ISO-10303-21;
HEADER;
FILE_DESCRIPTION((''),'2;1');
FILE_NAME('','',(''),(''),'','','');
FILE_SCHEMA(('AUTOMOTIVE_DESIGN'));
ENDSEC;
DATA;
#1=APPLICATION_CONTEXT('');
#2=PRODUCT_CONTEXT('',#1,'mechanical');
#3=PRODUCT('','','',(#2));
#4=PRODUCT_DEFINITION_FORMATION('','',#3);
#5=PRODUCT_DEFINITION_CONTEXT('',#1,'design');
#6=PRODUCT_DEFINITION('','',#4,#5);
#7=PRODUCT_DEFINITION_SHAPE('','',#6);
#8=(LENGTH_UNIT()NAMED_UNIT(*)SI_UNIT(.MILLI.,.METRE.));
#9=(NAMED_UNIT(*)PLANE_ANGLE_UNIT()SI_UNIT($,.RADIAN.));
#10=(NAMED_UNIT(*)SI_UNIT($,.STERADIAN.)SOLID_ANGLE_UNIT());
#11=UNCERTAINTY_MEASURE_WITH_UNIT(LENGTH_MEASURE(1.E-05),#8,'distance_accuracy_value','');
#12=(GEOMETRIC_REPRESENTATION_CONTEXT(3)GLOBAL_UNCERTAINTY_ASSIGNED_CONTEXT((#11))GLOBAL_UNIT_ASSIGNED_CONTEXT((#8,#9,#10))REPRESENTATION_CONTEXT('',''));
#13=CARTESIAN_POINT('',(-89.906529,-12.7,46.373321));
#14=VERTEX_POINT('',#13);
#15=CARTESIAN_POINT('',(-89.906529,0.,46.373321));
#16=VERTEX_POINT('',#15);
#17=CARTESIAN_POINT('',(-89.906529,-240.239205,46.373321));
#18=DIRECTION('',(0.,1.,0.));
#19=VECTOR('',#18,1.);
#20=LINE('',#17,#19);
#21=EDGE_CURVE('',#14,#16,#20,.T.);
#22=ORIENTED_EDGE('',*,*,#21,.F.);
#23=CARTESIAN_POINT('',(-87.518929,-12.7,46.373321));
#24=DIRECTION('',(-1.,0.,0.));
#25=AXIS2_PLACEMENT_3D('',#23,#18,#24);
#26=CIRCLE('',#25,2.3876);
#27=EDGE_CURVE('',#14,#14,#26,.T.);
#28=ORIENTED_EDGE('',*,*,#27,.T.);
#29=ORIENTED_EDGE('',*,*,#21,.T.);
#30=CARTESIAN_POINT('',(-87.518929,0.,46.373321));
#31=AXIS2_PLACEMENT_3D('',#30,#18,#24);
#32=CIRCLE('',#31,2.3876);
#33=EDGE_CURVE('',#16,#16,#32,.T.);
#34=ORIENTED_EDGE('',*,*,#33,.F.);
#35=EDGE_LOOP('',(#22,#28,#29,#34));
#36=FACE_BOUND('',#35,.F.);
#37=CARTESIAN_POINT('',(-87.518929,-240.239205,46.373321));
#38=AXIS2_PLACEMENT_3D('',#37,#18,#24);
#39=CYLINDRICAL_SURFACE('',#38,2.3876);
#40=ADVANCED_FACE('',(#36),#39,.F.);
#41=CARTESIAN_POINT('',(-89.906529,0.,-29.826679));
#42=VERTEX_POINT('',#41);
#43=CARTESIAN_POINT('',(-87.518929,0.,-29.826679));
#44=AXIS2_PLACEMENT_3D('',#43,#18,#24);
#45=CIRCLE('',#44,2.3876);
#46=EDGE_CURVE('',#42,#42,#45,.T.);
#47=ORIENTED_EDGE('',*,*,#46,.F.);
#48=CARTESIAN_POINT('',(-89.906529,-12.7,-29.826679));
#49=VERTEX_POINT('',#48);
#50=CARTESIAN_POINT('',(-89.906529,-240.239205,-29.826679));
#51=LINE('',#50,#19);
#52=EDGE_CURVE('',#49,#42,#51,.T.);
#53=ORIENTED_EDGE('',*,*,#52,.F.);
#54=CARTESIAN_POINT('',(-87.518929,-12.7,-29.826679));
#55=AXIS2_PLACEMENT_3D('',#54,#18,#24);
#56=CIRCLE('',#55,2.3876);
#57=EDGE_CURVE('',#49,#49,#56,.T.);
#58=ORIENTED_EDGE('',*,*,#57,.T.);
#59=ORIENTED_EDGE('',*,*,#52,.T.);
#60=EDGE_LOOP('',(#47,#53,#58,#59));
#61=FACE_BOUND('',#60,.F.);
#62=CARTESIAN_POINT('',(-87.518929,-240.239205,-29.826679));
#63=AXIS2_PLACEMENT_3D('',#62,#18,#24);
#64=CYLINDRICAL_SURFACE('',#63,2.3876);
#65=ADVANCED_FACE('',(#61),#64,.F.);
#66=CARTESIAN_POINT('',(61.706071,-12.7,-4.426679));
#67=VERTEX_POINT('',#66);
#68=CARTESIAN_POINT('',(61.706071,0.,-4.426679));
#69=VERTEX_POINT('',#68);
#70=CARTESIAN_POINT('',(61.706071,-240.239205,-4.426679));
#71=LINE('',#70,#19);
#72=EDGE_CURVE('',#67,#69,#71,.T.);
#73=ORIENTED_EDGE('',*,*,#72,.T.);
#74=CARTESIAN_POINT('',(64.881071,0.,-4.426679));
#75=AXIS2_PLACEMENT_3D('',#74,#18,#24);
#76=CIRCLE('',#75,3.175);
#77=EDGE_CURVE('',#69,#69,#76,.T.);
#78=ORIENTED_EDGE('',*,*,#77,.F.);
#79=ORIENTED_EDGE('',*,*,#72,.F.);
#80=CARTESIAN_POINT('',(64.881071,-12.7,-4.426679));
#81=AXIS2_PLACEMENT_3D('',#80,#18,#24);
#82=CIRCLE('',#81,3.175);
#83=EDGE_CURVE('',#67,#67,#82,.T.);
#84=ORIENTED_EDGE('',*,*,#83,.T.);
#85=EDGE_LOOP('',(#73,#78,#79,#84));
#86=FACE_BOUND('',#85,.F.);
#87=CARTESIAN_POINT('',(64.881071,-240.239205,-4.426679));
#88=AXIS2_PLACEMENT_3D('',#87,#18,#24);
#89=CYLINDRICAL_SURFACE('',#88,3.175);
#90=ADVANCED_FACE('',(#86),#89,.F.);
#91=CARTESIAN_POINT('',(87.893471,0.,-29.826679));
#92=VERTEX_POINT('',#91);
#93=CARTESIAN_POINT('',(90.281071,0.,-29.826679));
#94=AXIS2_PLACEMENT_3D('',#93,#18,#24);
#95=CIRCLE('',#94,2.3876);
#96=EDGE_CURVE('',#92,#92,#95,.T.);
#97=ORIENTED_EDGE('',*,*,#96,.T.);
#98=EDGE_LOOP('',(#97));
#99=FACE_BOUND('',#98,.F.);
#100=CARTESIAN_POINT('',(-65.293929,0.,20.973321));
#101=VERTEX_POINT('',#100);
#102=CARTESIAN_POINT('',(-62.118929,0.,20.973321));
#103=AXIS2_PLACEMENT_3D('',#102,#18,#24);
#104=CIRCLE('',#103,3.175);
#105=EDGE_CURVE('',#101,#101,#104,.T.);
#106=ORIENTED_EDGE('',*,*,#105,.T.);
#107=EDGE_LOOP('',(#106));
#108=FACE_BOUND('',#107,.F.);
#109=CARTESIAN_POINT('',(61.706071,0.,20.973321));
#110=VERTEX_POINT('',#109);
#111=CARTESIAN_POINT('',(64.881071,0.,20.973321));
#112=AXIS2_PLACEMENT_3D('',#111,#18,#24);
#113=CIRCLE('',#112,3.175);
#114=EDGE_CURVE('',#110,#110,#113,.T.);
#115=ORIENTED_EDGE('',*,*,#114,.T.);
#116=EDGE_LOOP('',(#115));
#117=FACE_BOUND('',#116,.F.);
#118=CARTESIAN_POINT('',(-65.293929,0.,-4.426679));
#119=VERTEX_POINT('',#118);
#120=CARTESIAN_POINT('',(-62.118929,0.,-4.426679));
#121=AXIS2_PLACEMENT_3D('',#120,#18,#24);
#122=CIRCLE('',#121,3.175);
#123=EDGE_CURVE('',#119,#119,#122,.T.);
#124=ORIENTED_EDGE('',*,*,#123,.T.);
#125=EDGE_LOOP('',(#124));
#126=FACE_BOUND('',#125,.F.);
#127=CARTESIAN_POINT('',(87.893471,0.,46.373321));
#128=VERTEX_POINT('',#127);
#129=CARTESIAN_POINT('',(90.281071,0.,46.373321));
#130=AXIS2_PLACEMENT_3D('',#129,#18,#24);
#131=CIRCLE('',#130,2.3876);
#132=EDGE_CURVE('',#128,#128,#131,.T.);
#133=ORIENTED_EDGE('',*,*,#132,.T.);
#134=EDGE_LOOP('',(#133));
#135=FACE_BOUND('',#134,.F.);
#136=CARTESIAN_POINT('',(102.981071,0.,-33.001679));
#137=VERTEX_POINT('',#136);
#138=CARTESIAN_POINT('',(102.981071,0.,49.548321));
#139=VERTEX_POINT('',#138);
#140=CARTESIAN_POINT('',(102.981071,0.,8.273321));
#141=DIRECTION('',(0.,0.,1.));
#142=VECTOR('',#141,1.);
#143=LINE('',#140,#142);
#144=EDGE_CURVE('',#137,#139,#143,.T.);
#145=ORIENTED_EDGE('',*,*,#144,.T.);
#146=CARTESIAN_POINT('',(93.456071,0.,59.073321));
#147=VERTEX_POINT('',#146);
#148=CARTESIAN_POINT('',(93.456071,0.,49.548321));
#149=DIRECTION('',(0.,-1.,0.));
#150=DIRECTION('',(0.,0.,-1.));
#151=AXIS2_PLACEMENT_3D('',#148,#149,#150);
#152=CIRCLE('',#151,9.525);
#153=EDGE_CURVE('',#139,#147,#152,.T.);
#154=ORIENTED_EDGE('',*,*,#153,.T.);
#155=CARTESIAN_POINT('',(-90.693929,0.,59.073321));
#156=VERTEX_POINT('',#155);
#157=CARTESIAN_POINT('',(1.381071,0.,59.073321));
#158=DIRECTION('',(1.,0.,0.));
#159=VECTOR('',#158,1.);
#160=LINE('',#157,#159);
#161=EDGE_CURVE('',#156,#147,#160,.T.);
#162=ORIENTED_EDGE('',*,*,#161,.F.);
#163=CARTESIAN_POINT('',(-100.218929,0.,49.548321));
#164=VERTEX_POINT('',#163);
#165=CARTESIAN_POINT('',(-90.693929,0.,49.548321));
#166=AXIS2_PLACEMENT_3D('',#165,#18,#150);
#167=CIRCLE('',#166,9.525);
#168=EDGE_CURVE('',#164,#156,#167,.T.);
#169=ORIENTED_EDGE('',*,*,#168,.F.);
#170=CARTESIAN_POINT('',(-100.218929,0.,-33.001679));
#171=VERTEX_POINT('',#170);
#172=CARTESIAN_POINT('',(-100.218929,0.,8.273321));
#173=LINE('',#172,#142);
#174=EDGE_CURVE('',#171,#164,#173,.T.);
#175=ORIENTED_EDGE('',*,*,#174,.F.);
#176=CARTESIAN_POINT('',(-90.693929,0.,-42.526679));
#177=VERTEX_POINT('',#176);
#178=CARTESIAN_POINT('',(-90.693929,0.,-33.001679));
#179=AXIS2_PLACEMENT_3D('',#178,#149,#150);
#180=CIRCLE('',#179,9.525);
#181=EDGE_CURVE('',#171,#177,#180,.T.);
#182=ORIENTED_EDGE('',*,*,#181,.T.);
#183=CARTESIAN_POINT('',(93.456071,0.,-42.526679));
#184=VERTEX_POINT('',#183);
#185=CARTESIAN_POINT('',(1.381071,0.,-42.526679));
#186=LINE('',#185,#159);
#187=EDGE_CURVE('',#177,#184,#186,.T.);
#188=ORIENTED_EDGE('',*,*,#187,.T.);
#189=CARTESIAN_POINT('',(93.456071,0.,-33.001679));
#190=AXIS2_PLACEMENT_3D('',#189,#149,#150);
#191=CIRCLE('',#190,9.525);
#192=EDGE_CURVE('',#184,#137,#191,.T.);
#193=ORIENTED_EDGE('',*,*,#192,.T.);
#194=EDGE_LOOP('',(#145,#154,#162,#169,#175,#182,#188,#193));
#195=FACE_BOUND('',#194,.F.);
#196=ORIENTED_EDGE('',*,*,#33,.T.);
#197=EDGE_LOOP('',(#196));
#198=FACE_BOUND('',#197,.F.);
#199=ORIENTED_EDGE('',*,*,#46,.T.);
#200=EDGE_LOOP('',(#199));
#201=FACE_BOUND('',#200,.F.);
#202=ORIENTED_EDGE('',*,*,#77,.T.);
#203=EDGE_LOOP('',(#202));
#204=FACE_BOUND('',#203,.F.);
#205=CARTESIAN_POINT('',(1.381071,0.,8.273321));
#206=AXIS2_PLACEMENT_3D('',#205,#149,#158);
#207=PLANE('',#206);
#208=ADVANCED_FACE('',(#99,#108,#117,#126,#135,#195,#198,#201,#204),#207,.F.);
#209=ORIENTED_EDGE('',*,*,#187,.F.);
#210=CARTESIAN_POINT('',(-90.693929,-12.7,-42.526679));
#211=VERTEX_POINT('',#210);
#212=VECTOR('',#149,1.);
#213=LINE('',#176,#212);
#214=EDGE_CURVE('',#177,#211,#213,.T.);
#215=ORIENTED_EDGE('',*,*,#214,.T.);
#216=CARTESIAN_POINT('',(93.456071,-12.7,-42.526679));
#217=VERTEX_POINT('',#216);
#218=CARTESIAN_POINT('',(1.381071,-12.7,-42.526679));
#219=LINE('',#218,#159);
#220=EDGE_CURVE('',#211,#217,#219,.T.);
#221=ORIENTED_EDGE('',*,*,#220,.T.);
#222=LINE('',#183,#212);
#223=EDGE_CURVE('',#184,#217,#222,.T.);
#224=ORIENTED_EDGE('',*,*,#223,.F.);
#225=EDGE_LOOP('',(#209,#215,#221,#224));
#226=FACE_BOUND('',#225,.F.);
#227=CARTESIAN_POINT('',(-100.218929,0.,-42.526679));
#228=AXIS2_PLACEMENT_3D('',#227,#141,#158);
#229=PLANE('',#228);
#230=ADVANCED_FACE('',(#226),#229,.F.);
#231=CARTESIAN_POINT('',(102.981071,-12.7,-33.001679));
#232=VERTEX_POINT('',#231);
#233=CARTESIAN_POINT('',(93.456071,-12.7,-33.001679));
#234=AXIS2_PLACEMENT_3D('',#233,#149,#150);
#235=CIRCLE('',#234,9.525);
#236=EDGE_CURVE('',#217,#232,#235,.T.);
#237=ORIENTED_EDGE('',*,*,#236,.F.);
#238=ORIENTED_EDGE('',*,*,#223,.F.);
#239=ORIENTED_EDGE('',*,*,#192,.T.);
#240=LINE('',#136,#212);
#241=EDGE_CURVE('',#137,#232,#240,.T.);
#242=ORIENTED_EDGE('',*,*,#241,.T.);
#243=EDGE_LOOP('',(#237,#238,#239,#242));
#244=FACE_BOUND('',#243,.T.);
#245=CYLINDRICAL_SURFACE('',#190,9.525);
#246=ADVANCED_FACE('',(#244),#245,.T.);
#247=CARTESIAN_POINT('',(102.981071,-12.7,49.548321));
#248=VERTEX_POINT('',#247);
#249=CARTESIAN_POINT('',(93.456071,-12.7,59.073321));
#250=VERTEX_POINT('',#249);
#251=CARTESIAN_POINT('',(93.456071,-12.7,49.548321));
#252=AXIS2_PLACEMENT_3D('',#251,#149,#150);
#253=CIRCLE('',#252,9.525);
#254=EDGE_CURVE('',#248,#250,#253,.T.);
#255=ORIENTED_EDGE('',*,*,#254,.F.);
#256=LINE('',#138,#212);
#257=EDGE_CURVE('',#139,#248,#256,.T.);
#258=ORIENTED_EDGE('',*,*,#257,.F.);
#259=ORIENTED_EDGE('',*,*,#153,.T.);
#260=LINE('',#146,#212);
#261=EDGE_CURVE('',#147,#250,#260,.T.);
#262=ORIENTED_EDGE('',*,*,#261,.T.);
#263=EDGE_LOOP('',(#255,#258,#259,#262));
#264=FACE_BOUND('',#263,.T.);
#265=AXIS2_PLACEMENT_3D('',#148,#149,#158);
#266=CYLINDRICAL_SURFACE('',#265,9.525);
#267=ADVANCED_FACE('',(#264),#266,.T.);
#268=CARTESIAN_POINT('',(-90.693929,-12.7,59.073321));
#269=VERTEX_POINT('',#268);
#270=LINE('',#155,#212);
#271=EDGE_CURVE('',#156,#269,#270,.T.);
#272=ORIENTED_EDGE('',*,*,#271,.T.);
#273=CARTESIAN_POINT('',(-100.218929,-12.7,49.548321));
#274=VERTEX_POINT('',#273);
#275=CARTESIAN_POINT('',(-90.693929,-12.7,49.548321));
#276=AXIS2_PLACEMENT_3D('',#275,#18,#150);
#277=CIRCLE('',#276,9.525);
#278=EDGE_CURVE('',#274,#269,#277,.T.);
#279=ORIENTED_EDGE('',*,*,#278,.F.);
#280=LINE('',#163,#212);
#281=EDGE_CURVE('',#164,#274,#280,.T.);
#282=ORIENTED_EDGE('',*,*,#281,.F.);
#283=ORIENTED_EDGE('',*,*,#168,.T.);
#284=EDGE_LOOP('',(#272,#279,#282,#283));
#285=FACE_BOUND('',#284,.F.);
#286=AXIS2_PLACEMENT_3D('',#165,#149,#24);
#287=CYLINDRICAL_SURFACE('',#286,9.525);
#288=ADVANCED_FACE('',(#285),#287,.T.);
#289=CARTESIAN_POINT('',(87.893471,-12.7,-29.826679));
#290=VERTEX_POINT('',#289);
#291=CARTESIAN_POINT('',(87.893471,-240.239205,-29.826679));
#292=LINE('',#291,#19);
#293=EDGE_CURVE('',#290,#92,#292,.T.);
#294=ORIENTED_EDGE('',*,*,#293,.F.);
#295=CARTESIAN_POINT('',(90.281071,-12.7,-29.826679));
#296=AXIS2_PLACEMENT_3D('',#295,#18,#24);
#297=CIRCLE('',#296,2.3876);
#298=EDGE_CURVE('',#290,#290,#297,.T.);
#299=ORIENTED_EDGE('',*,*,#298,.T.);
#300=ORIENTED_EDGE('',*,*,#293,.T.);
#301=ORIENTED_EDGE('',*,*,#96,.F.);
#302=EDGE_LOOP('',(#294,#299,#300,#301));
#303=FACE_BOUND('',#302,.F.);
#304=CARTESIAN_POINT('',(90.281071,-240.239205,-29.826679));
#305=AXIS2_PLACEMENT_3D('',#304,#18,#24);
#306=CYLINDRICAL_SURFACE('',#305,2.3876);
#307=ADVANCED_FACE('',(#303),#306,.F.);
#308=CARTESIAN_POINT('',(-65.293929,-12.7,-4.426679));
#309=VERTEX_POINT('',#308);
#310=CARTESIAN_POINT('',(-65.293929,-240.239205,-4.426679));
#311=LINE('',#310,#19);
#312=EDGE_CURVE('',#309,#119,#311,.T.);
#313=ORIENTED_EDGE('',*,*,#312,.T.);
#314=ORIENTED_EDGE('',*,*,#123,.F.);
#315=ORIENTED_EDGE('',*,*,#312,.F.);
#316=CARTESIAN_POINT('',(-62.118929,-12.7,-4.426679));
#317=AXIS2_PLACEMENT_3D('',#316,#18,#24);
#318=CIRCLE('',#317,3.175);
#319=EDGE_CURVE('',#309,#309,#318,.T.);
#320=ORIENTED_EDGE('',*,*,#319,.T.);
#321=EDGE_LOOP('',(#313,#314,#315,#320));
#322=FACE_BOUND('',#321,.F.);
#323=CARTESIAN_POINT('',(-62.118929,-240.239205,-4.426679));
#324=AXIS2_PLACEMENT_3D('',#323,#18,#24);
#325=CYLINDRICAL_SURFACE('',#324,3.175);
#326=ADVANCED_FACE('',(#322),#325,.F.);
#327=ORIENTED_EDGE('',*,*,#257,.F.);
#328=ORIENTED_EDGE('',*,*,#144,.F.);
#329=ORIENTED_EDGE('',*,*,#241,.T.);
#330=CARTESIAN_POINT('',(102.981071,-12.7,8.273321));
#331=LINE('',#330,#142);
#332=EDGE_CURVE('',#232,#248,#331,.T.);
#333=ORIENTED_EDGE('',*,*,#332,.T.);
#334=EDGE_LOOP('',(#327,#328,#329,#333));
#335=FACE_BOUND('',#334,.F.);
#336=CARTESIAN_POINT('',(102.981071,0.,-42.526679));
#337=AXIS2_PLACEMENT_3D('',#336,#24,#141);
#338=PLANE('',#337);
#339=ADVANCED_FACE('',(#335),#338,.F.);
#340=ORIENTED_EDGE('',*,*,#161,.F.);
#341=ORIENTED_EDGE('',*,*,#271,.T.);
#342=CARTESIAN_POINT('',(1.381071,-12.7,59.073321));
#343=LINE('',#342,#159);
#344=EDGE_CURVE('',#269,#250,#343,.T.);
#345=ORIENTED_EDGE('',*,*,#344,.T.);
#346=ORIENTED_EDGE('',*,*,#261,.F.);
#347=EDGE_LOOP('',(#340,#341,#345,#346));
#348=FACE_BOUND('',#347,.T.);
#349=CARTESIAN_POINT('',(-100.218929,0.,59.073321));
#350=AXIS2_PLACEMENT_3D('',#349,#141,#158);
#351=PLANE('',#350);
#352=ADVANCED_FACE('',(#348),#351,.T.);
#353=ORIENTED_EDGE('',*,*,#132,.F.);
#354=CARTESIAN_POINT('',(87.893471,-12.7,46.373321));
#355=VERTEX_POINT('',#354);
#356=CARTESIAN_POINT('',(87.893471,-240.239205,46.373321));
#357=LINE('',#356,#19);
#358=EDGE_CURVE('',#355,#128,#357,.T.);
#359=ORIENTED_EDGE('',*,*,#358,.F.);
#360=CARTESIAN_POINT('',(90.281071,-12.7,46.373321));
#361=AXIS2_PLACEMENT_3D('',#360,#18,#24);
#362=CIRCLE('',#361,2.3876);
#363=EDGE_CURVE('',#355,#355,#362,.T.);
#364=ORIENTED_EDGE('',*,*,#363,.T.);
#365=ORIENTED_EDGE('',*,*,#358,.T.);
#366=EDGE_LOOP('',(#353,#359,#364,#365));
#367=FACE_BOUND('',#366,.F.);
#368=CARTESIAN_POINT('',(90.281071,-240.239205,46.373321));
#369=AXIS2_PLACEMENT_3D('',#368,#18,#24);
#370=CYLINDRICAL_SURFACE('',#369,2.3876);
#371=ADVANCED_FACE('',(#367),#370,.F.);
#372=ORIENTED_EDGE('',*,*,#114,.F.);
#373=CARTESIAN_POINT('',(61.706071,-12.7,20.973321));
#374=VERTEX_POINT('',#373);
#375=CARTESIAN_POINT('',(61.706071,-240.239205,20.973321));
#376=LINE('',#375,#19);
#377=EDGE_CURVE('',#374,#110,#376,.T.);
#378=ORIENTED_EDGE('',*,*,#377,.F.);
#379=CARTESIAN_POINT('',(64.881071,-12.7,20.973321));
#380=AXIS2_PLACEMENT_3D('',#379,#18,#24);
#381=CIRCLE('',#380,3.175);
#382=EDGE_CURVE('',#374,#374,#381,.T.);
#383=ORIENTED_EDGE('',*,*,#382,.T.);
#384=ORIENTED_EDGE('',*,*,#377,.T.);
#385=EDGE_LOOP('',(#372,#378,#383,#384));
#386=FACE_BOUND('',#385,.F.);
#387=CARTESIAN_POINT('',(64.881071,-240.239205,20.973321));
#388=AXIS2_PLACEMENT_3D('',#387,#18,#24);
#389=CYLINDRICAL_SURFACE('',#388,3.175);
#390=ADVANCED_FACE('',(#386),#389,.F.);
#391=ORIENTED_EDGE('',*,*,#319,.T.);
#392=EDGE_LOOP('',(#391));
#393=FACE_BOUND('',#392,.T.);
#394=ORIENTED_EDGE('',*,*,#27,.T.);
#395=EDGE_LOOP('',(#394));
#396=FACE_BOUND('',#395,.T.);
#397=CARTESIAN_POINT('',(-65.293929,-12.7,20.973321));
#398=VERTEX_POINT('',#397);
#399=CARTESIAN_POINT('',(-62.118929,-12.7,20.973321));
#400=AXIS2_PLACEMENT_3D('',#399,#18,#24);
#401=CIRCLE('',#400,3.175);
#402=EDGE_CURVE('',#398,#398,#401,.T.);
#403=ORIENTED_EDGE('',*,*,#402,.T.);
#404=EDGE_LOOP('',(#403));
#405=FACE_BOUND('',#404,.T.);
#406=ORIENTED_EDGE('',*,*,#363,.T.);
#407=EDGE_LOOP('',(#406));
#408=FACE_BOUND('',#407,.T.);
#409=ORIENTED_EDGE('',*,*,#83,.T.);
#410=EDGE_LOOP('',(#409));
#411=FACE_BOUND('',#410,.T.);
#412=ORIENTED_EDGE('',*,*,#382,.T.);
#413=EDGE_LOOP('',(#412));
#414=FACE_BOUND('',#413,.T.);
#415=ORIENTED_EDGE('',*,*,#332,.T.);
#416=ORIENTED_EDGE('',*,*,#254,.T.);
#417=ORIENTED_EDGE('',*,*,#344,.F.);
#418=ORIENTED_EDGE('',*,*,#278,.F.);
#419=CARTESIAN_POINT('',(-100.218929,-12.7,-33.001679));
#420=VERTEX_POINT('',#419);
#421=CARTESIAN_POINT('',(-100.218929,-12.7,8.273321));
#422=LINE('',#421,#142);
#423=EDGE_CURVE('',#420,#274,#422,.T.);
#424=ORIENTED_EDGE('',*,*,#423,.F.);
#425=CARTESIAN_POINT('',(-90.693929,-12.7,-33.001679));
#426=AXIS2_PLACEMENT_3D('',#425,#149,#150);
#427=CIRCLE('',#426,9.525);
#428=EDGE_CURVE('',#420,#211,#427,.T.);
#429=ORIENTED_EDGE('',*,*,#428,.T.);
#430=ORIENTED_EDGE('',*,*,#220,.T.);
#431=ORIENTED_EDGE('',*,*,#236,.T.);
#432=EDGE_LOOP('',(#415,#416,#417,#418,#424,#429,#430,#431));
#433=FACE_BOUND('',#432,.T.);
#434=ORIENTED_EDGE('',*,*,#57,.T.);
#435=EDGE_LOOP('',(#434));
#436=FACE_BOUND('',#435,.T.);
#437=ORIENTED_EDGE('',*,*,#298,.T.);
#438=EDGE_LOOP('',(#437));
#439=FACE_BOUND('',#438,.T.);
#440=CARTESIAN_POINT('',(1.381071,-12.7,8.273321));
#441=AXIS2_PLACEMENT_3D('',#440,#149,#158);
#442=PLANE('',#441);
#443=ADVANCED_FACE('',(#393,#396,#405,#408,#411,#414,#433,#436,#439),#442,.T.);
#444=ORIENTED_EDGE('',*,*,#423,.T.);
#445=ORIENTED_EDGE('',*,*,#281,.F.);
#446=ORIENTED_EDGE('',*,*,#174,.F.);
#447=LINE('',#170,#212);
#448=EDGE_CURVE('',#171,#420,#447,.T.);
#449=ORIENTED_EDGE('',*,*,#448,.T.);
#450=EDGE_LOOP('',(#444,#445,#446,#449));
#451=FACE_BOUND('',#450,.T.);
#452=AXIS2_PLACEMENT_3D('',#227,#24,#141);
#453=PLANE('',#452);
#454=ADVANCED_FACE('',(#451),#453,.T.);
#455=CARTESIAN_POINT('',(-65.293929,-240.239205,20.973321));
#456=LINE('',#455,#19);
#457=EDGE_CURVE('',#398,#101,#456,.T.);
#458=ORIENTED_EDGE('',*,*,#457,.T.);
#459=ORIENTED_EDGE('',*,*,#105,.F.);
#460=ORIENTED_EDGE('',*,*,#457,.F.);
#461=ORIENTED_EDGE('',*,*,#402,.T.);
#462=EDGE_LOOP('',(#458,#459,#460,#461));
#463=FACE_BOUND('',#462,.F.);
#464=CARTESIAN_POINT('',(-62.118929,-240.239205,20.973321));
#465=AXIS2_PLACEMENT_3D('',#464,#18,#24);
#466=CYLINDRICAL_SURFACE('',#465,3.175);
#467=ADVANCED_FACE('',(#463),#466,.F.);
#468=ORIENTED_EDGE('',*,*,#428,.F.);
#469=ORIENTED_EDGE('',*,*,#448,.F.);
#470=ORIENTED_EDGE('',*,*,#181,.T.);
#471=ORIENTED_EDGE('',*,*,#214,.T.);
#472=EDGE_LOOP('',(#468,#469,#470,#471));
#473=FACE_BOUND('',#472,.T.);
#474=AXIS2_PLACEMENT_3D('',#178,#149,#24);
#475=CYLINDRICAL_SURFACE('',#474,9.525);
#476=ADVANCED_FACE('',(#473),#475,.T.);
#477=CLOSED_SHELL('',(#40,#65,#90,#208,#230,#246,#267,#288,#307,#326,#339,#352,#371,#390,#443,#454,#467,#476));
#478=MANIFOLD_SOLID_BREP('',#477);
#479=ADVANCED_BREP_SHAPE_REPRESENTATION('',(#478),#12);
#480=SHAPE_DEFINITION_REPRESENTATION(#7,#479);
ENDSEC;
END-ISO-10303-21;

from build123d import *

# Parameters (mm, degrees)
F0_W     = 203.2
F0_H     = 101.6
F1_DEPTH = 12.7
F2_R     = 9.525
F4_D     = 4.7752
F6_D     = 6.35


with BuildPart() as f1:
    # F0 (on Front) → F1 (new body)
    with BuildSketch(Plane.XZ):
        with Locations((1.381071, 8.273321)):
            Rectangle(F0_W, F0_H)
    extrude(amount=F1_DEPTH)

    # F2
    f2_edges = [f1.edges().sort_by_distance(p)[0] for p in [
        (-100.218929, -6.35, 59.073321),
        (102.981071, -6.35, 59.073321),
        (102.981071, -6.35, -42.526679),
        (-100.218929, -6.35, -42.526679),
    ]]
    fillet(f2_edges, radius=F2_R)

    # F4 (through all)
    with Locations(Plane.XZ.offset(12.7)):
        with Locations((-87.518929, 46.373321), (-87.518929, -29.826679), (90.281071, 46.373321), (90.281071, -29.826679)):
            Hole(F4_D / 2)

    # F6 (through all)
    with Locations(Plane.XZ.offset(12.7)):
        with Locations((-62.118929, 20.973321), (-62.118929, -4.426679), (64.881071, -4.426679), (64.881071, 20.973321)):
            Hole(F6_D / 2)


solid = f1.part
